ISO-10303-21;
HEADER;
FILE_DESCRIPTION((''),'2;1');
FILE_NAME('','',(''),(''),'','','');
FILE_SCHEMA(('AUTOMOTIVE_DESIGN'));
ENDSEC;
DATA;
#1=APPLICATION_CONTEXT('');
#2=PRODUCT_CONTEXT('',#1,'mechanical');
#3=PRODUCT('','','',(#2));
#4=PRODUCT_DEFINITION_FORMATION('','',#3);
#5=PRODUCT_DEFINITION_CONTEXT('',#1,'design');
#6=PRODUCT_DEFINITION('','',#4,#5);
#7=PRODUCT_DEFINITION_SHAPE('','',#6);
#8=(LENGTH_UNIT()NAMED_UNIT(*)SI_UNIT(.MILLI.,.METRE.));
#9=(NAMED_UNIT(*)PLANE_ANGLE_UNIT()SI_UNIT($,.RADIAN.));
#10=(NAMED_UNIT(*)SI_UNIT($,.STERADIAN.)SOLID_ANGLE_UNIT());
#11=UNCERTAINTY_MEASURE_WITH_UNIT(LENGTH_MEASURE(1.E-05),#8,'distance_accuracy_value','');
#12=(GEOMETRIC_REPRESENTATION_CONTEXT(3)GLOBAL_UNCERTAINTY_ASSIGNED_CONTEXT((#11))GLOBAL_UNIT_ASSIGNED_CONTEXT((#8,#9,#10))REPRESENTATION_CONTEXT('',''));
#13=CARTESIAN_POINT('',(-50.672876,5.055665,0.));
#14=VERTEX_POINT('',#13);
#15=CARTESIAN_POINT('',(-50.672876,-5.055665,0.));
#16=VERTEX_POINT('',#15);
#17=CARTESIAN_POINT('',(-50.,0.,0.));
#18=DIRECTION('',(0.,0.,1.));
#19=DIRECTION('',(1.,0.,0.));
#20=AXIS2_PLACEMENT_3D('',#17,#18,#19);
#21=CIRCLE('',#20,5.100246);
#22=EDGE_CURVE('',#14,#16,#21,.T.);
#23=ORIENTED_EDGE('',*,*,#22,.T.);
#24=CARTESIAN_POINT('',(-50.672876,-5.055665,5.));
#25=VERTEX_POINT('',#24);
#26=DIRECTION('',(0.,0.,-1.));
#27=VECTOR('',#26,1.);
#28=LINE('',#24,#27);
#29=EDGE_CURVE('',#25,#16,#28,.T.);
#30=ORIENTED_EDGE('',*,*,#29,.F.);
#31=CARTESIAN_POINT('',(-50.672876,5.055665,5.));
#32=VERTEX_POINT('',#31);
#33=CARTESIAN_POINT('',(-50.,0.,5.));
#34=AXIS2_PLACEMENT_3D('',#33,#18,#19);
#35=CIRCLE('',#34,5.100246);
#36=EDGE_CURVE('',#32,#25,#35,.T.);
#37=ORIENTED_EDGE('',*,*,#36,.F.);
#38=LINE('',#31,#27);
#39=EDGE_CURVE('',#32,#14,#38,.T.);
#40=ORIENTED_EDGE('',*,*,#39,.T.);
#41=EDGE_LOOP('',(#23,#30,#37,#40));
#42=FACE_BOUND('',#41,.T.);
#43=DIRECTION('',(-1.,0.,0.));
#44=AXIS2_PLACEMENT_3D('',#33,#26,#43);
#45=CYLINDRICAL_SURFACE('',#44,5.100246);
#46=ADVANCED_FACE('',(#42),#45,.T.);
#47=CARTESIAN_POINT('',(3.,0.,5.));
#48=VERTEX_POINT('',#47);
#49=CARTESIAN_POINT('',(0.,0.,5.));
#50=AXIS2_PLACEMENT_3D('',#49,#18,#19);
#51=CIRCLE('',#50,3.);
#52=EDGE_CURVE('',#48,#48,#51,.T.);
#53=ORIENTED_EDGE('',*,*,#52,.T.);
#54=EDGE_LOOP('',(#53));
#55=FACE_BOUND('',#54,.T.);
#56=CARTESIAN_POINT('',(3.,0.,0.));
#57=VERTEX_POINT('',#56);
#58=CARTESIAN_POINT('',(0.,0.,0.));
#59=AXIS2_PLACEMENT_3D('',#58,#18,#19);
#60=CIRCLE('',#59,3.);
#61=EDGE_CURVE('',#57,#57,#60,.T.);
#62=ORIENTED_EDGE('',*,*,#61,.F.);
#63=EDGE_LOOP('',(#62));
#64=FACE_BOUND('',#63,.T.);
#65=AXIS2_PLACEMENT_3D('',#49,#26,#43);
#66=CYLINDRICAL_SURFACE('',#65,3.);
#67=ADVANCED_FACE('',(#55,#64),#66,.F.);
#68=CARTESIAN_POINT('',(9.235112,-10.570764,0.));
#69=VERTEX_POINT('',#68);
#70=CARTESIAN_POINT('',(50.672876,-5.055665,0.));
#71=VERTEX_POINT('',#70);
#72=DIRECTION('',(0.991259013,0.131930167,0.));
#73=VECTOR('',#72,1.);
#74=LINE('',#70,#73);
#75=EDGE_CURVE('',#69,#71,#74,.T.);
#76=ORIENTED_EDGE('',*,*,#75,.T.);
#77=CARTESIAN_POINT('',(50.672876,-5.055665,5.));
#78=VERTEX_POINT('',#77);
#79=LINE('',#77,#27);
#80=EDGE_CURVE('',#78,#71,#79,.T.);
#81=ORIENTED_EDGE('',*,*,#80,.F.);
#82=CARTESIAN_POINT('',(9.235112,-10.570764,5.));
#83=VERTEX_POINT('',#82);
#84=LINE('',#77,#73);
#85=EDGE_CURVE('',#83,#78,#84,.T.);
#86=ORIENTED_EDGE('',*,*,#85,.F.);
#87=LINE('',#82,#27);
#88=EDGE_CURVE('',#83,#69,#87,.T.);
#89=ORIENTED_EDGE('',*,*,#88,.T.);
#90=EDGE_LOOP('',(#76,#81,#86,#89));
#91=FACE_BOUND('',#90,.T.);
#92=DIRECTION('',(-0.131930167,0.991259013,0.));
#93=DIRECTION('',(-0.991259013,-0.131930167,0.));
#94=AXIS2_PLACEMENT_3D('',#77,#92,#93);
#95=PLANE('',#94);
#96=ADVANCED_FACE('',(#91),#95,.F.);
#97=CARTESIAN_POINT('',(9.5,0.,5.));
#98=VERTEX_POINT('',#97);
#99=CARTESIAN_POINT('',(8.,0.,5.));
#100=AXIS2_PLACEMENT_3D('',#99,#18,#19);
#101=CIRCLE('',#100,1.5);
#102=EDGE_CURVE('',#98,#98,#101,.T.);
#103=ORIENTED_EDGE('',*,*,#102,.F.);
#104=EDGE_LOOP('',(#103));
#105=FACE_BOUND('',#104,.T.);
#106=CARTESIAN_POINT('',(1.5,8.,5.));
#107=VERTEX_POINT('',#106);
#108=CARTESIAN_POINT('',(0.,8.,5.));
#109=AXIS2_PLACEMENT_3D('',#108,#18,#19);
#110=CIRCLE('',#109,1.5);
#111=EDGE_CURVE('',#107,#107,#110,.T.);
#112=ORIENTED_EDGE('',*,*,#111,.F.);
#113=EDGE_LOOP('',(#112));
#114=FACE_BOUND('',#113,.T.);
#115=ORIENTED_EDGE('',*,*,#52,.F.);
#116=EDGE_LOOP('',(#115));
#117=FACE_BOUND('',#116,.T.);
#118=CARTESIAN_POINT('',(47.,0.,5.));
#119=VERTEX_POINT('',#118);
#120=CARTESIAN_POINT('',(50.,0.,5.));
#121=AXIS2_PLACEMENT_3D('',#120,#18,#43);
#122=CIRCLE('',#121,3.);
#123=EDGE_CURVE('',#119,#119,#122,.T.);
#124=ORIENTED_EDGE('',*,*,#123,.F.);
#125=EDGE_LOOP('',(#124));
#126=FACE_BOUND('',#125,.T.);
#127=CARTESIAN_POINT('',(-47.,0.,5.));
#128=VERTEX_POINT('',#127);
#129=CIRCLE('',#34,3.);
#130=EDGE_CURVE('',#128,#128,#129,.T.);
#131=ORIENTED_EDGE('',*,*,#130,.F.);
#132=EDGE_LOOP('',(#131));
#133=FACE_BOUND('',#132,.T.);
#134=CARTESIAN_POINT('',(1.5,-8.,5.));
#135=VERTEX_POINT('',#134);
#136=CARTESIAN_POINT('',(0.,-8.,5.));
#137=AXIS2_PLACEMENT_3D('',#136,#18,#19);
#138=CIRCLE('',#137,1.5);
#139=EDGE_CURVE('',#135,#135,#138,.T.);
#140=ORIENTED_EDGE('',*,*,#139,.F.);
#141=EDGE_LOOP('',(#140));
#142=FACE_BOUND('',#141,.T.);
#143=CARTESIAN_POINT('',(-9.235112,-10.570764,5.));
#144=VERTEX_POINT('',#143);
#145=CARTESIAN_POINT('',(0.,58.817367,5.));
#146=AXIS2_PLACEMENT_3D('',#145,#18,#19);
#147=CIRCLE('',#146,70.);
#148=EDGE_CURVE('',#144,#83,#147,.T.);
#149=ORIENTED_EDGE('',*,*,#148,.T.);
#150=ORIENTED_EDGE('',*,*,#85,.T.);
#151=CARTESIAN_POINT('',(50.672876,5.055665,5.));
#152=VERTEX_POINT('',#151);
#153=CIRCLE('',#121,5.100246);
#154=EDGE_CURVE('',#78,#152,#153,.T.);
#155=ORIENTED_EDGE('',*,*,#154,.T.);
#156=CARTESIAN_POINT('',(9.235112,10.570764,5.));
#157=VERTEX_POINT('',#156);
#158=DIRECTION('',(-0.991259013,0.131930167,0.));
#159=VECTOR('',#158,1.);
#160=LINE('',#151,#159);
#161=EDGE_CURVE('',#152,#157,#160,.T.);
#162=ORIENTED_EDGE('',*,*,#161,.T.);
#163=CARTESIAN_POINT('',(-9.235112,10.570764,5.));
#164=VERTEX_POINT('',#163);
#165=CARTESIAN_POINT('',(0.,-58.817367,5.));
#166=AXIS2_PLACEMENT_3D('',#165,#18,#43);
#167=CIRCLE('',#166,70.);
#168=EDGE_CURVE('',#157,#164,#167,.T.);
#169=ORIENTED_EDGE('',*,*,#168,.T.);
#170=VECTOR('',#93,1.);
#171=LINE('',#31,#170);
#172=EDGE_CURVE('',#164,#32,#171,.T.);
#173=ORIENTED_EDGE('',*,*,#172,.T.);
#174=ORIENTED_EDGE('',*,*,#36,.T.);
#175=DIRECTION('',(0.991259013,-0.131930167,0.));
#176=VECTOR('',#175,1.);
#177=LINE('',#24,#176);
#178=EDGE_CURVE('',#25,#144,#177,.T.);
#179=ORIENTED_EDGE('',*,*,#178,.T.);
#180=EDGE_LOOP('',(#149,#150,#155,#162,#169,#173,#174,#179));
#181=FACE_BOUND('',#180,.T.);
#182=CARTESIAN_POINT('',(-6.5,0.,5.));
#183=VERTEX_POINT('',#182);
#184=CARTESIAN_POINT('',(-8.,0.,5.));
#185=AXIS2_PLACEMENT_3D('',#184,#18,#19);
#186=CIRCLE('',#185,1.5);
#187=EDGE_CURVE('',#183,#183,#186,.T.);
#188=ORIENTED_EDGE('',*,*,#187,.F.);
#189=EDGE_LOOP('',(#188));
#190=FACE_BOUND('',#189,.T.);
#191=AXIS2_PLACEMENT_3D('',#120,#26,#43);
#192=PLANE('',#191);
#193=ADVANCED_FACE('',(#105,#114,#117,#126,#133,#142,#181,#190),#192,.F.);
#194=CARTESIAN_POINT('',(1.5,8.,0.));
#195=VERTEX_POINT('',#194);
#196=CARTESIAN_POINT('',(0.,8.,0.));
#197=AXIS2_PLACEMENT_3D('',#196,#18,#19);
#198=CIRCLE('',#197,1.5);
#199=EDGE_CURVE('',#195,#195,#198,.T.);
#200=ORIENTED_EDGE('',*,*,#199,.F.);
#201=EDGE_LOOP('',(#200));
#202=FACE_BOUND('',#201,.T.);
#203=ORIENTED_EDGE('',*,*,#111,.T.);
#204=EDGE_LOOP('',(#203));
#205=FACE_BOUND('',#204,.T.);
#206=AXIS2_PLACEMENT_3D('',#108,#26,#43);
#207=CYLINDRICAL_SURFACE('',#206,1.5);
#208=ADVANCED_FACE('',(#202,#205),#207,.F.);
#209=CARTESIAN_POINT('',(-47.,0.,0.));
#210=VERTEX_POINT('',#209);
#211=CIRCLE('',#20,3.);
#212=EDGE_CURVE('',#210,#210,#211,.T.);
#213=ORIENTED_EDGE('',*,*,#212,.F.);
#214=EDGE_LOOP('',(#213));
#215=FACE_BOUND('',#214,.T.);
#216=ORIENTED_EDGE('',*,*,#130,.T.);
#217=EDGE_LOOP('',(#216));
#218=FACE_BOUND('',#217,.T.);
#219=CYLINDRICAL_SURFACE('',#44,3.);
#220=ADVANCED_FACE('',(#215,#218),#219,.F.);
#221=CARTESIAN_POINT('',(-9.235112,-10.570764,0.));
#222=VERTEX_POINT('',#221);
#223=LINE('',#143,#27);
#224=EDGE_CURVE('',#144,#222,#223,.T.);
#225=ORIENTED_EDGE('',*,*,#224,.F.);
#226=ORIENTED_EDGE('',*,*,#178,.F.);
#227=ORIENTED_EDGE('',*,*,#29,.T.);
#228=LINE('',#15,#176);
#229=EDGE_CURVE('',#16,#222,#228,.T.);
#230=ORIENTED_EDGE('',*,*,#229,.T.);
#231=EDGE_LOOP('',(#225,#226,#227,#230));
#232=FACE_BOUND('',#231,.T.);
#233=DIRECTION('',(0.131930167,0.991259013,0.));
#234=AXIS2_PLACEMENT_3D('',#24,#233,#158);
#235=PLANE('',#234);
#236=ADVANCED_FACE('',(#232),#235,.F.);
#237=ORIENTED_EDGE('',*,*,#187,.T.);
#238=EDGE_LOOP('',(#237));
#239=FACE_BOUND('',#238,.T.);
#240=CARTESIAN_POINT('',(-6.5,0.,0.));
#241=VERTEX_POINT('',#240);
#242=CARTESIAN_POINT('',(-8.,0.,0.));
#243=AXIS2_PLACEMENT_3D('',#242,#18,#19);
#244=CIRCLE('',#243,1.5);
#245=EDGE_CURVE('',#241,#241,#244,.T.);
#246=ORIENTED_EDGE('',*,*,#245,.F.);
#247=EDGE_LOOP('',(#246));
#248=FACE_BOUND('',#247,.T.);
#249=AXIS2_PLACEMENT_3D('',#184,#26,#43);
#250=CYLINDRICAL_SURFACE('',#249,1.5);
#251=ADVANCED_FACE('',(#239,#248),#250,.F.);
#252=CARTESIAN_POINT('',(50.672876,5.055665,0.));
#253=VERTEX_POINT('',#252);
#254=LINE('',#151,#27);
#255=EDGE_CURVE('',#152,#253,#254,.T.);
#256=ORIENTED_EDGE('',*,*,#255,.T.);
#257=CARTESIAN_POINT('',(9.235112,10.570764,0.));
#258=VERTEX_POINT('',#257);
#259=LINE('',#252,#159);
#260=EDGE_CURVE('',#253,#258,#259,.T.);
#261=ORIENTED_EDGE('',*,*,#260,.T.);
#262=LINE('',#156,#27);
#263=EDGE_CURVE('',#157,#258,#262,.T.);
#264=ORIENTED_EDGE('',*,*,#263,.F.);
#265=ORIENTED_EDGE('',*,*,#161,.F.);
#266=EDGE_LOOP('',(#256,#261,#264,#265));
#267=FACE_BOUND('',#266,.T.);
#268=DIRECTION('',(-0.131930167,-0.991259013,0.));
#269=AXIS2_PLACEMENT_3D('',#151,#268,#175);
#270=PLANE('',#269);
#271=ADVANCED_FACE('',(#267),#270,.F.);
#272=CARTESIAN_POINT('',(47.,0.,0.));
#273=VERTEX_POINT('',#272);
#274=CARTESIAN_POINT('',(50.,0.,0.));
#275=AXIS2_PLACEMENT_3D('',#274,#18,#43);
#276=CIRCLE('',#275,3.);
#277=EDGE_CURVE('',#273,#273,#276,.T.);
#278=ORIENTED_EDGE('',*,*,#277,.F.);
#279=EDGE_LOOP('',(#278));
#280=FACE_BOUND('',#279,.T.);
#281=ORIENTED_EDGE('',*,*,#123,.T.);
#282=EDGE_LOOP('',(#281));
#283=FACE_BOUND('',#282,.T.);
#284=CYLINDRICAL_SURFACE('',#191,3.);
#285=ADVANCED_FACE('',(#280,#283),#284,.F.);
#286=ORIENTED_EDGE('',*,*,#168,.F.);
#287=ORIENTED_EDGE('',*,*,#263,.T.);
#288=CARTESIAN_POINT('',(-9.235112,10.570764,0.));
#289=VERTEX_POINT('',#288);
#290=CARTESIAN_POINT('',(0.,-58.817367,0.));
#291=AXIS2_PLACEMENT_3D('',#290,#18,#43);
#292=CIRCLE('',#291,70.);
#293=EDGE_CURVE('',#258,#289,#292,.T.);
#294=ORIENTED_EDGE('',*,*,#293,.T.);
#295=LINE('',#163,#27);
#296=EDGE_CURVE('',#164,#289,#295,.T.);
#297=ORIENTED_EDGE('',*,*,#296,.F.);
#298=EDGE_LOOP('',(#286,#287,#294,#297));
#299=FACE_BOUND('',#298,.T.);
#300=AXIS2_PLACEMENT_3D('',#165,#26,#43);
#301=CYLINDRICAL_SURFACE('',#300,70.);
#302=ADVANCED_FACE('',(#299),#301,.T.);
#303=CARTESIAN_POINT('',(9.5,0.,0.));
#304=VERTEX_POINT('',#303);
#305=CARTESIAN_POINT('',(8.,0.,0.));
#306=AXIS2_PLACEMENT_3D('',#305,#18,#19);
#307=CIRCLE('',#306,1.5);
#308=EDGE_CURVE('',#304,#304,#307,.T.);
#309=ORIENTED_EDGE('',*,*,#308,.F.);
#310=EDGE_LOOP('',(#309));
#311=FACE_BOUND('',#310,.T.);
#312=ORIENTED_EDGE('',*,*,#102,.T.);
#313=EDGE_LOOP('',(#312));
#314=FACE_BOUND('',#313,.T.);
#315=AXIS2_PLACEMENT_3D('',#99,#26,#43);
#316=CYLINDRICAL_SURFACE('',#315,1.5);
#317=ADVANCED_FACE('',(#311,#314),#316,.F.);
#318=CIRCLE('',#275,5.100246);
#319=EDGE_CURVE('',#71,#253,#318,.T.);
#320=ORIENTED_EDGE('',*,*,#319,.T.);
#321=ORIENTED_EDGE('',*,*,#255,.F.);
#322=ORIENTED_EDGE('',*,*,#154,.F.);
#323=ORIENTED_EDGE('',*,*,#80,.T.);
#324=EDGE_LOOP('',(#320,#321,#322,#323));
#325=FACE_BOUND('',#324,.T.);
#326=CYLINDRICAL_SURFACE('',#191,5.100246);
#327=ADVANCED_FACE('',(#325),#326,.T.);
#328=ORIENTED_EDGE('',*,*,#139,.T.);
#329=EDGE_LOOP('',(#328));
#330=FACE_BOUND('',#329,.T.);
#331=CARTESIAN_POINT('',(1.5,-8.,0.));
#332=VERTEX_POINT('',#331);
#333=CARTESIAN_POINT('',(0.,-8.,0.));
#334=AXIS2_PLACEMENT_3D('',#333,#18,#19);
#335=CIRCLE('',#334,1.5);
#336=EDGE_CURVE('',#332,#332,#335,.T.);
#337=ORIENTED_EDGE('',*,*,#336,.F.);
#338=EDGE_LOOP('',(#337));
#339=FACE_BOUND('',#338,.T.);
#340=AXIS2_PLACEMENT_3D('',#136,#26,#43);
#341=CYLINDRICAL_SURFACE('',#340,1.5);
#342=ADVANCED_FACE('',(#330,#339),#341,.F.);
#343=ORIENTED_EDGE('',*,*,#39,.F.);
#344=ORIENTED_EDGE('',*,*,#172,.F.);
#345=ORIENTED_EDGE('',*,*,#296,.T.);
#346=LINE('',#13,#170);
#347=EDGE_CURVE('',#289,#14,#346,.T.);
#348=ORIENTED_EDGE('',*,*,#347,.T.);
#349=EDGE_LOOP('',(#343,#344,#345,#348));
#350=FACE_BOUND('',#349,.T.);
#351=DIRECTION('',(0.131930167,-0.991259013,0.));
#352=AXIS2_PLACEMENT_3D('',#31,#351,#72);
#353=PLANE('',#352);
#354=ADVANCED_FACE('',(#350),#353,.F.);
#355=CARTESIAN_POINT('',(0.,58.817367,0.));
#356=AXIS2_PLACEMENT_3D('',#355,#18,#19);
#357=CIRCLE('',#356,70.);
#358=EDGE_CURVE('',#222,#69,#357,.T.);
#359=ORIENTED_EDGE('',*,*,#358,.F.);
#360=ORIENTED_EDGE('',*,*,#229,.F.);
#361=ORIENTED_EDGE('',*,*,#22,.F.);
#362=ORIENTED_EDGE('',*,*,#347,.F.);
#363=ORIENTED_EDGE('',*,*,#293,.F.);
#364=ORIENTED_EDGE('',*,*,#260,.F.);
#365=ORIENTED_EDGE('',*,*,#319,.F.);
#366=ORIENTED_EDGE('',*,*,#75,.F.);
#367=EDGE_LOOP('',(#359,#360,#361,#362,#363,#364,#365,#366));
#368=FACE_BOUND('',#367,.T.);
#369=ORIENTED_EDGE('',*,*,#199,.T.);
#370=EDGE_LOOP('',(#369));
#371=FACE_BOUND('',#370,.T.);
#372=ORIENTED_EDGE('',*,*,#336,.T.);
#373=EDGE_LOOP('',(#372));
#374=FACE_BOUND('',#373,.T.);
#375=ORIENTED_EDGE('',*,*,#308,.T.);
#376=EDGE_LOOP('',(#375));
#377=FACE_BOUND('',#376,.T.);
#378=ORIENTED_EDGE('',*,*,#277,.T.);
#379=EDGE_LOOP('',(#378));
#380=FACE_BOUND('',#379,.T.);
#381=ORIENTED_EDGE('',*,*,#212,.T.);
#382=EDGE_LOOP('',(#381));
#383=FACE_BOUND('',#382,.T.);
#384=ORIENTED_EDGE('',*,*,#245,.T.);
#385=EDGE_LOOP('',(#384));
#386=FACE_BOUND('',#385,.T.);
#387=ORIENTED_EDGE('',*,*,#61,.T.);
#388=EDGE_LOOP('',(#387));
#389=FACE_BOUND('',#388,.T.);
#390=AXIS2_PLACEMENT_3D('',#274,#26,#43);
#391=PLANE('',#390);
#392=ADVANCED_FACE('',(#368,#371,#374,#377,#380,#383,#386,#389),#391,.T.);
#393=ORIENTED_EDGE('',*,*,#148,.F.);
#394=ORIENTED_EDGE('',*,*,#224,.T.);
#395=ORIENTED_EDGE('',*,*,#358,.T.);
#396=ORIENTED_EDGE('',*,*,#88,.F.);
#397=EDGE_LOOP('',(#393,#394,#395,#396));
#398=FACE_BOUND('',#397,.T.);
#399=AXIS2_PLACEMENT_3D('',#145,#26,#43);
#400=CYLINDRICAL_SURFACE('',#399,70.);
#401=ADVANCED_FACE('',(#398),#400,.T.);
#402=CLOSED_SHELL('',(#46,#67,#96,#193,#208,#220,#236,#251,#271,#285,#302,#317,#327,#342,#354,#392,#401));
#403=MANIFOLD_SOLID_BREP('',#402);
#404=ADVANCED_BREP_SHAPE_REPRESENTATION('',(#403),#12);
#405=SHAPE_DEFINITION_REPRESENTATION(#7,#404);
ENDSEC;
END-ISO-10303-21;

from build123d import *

# Parameters (mm, degrees)
SZKIC1_R                    = 3
SZKIC1_R_2                  = 1.5
DODANIE_WYCI_GNI_CIE1_DEPTH = 5


with BuildPart() as part:
    # Szkic1 → Dodanie-wyciągnięcie1 (new body)
    with BuildSketch(Plane.XY):
        with BuildLine():
            Line((-50.67287635, 5.055665151), (-9.235111676, 10.570763761))
            ThreePointArc((-9.235111676, 10.570763761), (0, 11.182632843), (9.235111676, 10.570763761))
            Line((9.235111676, 10.570763761), (50.67287635, 5.055665151))
            ThreePointArc((50.67287635, 5.055665151), (55.100246338, 0), (50.67287635, -5.055665151))
            Line((50.67287635, -5.055665151), (9.235111676, -10.570763761))
            ThreePointArc((9.235111676, -10.570763761), (0, -11.182632843), (-9.235111676, -10.570763761))
            Line((-9.235111676, -10.570763761), (-50.67287635, -5.055665151))
            ThreePointArc((-50.67287635, -5.055665151), (-55.100246338, 0), (-50.67287635, 5.055665151))
        make_face()
        Circle(SZKIC1_R, mode=Mode.SUBTRACT)
        with Locations((0, 8)):
            Circle(SZKIC1_R_2, mode=Mode.SUBTRACT)
        with Locations((-8, 0)):
            Circle(SZKIC1_R_2, mode=Mode.SUBTRACT)
        with Locations((8, 0)):
            Circle(SZKIC1_R_2, mode=Mode.SUBTRACT)
        with Locations((0, -8)):
            Circle(SZKIC1_R_2, mode=Mode.SUBTRACT)
        with Locations((-50, 0)):
            Circle(SZKIC1_R, mode=Mode.SUBTRACT)
        with Locations((50, 0)):
            Circle(SZKIC1_R, mode=Mode.SUBTRACT)
    extrude(amount=DODANIE_WYCI_GNI_CIE1_DEPTH)


solid = part.part
